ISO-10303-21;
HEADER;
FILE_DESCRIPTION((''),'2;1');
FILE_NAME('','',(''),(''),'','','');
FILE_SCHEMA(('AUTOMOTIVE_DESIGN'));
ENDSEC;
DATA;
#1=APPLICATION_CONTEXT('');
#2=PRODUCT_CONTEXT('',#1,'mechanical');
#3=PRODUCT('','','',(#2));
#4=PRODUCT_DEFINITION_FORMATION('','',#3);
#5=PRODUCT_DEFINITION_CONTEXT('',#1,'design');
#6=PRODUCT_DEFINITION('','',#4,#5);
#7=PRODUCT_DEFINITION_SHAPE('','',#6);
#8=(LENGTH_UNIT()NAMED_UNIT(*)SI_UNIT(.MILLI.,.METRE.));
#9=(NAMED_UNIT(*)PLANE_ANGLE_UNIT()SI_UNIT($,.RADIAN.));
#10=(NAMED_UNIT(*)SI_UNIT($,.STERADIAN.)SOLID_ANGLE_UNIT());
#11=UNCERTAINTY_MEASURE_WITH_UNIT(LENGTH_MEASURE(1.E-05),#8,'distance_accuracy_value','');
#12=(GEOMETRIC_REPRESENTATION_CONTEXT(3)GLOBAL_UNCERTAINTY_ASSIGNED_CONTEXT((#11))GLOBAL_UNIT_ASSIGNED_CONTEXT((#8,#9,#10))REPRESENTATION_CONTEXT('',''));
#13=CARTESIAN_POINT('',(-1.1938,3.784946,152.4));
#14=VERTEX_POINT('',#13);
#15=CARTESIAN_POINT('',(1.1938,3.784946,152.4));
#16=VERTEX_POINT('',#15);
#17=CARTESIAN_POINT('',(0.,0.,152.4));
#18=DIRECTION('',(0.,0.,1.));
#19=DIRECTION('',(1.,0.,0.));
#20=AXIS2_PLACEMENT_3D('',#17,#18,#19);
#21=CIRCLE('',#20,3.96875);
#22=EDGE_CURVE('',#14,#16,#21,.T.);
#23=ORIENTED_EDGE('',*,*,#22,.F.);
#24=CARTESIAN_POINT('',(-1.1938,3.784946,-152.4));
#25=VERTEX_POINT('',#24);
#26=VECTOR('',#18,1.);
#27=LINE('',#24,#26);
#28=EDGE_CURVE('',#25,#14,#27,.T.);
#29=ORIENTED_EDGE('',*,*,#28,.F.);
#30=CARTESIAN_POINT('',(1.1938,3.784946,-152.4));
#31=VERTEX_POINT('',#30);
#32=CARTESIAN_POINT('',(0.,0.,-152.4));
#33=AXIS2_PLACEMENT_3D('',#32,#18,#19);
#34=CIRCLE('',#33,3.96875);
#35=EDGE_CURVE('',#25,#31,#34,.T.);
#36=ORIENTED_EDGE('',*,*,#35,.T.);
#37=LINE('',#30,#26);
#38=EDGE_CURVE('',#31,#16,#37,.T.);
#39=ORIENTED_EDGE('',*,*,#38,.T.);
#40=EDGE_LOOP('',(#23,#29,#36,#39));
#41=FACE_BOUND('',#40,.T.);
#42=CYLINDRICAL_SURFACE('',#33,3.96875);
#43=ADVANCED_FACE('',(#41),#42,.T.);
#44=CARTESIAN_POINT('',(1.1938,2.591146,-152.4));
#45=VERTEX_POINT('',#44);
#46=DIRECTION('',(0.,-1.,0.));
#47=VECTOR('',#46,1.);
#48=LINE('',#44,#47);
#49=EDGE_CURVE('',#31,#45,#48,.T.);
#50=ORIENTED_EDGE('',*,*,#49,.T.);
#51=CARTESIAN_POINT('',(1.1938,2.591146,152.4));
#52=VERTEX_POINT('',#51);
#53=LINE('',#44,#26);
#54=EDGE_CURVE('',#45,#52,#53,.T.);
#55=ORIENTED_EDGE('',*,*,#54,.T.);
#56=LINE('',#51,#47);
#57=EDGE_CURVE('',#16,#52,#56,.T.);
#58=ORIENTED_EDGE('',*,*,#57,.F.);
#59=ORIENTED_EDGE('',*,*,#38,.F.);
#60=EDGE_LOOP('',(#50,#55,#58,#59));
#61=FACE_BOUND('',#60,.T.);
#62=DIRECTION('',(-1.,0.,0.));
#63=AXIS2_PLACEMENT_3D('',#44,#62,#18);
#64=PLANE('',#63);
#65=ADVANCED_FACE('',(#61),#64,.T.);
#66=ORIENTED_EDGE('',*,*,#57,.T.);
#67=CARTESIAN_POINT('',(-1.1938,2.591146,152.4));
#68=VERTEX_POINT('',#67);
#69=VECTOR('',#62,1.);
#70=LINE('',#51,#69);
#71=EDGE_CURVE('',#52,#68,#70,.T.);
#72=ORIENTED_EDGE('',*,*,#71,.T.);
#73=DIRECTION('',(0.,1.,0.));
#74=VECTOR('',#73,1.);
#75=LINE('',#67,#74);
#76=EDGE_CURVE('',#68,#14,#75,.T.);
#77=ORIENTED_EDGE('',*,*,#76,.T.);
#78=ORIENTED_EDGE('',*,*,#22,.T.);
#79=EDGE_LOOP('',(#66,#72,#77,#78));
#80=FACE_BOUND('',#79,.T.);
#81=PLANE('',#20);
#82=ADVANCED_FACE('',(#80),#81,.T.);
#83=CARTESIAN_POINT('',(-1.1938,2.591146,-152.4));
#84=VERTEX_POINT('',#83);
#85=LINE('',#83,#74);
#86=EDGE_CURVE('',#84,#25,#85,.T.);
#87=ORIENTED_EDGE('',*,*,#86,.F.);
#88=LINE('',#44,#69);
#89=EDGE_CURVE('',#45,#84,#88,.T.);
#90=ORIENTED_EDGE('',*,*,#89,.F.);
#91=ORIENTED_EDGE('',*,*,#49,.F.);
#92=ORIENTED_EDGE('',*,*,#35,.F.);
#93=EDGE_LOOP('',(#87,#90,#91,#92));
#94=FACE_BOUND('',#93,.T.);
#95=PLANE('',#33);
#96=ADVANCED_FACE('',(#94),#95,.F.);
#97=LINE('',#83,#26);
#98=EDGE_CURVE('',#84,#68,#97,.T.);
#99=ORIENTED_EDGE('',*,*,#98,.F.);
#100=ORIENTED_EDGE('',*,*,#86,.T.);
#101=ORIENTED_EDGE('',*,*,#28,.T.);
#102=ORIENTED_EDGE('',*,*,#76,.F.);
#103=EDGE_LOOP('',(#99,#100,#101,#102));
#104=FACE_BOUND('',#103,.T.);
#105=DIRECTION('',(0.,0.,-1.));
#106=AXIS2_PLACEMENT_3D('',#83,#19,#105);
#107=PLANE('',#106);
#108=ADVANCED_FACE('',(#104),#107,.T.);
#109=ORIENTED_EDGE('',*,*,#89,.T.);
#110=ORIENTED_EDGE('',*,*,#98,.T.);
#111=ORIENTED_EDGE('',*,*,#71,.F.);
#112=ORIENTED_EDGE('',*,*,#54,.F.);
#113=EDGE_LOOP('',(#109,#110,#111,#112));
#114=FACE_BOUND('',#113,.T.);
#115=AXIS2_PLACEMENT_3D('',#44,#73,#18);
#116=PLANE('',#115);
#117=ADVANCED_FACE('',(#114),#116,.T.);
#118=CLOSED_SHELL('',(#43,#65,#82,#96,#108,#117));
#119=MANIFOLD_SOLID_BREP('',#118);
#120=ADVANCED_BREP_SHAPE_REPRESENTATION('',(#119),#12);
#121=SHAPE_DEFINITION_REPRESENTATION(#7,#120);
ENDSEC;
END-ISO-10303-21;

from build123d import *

# Parameters (mm, degrees)
BOSS_EXTRUDE1_DEPTH      = 152.4
BOSS_EXTRUDE1_DEPTH_BACK = 152.4


with BuildPart() as part:
    # Sketch3 → Boss-Extrude1 (new, two sides: drawn at the far end of the back side and taken through both)
    with BuildSketch(Plane.XY.offset(-BOSS_EXTRUDE1_DEPTH_BACK)):
        with BuildLine():
            Line((-1.1938, 2.591146251), (-1.1938, 3.784946251))
            ThreePointArc((-1.1938, 3.784946251), (0, -3.96875), (1.1938, 3.784946251))
            Line((1.1938, 3.784946251), (1.1938, 2.591146251))
            Line((1.1938, 2.591146251), (-1.1938, 2.591146251))
        make_face()
    extrude(amount=BOSS_EXTRUDE1_DEPTH + BOSS_EXTRUDE1_DEPTH_BACK)


solid = part.part
